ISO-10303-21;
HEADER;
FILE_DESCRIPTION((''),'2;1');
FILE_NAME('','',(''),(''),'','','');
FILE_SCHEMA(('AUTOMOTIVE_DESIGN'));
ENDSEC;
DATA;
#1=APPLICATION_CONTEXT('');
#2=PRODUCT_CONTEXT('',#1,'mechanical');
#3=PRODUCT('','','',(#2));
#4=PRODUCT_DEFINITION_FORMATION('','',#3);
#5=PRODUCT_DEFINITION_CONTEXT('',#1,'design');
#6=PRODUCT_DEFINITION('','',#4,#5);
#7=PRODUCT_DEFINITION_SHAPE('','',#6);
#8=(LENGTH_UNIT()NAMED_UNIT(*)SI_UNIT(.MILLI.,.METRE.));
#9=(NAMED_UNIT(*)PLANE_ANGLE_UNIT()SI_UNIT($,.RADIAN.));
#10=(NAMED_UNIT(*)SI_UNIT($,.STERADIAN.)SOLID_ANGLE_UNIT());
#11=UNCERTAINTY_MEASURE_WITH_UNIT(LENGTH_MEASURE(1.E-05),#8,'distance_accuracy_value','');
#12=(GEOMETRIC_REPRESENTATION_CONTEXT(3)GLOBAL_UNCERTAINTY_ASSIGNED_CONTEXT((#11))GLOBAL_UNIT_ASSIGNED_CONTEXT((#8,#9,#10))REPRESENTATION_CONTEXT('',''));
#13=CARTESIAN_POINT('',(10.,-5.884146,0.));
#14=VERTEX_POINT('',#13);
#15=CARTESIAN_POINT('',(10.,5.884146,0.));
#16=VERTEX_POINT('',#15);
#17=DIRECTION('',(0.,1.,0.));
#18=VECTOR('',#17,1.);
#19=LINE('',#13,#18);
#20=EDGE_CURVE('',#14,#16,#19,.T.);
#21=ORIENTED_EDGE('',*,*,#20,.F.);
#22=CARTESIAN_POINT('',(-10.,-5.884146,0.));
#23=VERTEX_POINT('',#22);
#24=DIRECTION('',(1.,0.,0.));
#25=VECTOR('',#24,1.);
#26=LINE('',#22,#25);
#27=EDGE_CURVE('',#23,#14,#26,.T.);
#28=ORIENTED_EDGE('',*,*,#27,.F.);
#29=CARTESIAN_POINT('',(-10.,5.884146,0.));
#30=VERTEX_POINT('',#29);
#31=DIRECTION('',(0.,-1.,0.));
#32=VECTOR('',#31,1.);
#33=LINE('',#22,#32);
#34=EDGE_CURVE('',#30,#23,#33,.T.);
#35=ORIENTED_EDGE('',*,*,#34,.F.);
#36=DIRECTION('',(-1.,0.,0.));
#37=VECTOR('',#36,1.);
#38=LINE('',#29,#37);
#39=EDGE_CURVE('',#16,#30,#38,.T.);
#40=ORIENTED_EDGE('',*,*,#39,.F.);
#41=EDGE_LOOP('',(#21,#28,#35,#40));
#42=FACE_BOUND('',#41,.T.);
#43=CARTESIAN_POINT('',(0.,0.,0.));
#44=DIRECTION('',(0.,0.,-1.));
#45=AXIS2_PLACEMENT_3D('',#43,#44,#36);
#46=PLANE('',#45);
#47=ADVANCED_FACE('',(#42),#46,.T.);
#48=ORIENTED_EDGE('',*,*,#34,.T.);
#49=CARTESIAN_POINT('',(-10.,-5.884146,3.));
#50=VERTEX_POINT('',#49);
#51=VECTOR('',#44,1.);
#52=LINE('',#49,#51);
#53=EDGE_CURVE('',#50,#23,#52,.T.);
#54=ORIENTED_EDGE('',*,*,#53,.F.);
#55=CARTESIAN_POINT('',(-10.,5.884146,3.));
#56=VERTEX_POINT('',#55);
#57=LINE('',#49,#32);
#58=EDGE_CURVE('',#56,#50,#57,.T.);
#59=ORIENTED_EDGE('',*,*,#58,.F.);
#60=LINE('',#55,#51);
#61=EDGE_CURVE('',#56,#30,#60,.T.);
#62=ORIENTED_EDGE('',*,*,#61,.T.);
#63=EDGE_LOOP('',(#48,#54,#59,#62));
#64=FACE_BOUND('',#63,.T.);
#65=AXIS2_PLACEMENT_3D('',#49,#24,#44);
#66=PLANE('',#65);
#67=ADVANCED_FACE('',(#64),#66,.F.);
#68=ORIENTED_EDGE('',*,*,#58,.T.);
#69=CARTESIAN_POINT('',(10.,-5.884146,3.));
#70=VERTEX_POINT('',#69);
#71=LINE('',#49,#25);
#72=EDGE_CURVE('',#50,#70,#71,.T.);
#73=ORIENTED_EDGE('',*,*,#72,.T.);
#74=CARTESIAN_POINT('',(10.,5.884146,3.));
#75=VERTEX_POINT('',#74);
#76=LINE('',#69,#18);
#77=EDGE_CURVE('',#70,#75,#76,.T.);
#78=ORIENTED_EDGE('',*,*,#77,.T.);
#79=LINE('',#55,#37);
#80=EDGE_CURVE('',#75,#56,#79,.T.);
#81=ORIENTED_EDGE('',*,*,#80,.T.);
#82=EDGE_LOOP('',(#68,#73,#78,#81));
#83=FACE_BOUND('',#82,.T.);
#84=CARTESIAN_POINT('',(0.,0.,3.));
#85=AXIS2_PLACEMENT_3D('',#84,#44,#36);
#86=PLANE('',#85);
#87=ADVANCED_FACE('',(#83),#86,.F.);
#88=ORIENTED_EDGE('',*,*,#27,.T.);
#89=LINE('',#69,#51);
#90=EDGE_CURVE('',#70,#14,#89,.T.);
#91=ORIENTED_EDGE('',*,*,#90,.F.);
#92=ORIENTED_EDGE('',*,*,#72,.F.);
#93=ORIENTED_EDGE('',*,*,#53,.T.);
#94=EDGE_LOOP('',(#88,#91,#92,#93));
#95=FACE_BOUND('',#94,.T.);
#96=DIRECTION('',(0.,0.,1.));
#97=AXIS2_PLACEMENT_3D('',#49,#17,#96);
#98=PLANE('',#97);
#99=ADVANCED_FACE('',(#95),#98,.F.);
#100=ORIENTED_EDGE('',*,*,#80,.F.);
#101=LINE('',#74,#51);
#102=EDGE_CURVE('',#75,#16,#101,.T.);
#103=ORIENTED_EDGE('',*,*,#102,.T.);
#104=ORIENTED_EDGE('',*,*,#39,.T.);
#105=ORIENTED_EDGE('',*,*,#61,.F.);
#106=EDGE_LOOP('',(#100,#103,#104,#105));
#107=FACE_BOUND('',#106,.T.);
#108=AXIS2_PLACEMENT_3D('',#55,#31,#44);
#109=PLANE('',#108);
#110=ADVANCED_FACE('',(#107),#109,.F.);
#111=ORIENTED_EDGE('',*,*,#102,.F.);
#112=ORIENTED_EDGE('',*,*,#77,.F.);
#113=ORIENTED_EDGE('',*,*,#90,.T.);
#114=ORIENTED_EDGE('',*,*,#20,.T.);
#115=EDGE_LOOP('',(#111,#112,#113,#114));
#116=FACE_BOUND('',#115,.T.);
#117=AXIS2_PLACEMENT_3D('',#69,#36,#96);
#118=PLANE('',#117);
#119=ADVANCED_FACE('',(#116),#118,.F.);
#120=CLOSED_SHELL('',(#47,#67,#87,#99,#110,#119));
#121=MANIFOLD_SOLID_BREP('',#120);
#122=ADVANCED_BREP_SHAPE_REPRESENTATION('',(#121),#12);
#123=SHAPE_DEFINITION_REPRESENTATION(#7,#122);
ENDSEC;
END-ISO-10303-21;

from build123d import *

# Parameters (mm, degrees)
ESQUISSE1_W        = 20
ESQUISSE1_H        = 11.768292682
BOSS_EXTRU_1_DEPTH = 3


with BuildPart() as part:
    # Esquisse1 → Boss.-Extru.1 (new body)
    with BuildSketch(Plane.XY):
        Rectangle(ESQUISSE1_W, ESQUISSE1_H)
    extrude(amount=BOSS_EXTRU_1_DEPTH)


solid = part.part
